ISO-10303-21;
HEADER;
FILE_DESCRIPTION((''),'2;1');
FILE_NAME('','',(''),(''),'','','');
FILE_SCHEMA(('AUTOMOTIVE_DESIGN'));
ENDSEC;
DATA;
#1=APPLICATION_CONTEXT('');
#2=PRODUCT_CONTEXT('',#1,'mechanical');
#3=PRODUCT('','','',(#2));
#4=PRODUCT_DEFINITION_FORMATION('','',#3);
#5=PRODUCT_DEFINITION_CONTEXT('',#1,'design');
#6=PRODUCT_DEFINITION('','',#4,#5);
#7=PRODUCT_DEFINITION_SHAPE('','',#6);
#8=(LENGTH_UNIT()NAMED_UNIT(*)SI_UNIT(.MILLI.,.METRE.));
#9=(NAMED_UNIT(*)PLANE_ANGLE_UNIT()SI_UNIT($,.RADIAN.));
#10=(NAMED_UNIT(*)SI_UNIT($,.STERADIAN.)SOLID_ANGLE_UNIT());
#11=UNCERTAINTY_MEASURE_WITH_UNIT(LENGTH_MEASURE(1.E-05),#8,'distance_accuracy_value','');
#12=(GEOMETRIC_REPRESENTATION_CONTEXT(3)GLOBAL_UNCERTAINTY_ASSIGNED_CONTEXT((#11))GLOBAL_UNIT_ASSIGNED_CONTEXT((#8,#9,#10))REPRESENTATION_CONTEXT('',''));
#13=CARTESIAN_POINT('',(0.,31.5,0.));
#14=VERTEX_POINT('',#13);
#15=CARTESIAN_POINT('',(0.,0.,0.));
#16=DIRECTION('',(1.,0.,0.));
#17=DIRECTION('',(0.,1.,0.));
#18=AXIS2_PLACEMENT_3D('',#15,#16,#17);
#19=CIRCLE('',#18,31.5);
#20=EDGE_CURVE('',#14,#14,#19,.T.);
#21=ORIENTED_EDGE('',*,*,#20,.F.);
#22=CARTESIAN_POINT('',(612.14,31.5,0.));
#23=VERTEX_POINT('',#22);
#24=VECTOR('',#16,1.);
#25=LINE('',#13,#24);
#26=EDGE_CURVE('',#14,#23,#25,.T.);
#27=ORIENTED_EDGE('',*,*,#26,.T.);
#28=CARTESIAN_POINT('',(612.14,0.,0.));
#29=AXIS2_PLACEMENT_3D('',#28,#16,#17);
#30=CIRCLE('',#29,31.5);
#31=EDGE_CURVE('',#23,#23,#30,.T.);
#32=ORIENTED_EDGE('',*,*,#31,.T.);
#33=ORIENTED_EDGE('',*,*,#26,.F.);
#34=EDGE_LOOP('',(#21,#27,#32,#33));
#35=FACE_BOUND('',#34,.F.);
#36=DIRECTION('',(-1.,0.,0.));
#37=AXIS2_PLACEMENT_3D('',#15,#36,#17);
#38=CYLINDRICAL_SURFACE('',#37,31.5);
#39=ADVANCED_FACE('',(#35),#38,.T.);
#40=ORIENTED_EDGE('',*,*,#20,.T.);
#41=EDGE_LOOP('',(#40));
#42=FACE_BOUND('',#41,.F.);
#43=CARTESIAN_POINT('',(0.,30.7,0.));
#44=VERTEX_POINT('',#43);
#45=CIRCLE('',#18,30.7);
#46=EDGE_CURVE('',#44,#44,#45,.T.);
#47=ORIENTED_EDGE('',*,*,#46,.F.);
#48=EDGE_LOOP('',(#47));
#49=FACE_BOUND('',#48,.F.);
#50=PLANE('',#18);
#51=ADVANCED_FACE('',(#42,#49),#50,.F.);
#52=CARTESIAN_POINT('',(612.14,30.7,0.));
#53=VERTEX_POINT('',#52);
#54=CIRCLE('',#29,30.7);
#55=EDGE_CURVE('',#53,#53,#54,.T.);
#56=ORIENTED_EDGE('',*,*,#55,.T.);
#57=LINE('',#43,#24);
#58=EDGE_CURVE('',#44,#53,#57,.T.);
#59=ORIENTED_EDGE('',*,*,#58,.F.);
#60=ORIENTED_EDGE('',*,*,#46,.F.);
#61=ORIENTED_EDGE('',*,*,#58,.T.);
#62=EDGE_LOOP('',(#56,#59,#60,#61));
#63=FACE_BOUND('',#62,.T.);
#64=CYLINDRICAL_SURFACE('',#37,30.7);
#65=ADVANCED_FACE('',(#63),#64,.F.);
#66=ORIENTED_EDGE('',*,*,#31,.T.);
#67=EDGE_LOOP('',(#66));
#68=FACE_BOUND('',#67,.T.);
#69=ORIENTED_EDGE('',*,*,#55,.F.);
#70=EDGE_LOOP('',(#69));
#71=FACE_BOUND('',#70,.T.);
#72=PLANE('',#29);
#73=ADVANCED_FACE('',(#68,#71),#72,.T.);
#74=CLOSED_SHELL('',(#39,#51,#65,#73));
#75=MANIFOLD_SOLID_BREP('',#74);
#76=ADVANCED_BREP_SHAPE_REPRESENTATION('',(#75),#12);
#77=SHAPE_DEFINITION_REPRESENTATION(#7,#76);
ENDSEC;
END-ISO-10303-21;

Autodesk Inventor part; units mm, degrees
ref_plane "YZ Plane" through (0, 0, 0) normal (1, 0, 0) x (0, 1, 0)
ref_plane "XZ Plane" through (0, 0, 0) normal (0, 1, 0) x (-1, 0, 0)
ref_plane "XY Plane" through (0, 0, 0) normal (0, 0, 1) x (1, 0, 0)
sketch "Sketch1" plane through (0, 0, 0) normal (1, 0, 0) x (0, 1, 0)
  circle A0 centre (0, 0) radius 31.5
  circle A1 centre (0, 0) radius 30.7
  dimension "d0" = 63
  dimension "d1" = 0.8
extrude "Extrusion1" add sketch "Sketch1" along normal blind 612.14
equation "\"d0\" = OD"
equation "\"d1\" = t"
equation "\"d2\" = L"
equation "\"OD\" = 63"
equation "\"t\" = 0.8"
equation "\"L\" = PL"
equation "\"ID\" = 61.4"
equation "\"PL\" = 612.14"
properties part number "ISO 4065 Pipe DN63x0.8xS40 - 612.14000000" material "PVC-Piping"
